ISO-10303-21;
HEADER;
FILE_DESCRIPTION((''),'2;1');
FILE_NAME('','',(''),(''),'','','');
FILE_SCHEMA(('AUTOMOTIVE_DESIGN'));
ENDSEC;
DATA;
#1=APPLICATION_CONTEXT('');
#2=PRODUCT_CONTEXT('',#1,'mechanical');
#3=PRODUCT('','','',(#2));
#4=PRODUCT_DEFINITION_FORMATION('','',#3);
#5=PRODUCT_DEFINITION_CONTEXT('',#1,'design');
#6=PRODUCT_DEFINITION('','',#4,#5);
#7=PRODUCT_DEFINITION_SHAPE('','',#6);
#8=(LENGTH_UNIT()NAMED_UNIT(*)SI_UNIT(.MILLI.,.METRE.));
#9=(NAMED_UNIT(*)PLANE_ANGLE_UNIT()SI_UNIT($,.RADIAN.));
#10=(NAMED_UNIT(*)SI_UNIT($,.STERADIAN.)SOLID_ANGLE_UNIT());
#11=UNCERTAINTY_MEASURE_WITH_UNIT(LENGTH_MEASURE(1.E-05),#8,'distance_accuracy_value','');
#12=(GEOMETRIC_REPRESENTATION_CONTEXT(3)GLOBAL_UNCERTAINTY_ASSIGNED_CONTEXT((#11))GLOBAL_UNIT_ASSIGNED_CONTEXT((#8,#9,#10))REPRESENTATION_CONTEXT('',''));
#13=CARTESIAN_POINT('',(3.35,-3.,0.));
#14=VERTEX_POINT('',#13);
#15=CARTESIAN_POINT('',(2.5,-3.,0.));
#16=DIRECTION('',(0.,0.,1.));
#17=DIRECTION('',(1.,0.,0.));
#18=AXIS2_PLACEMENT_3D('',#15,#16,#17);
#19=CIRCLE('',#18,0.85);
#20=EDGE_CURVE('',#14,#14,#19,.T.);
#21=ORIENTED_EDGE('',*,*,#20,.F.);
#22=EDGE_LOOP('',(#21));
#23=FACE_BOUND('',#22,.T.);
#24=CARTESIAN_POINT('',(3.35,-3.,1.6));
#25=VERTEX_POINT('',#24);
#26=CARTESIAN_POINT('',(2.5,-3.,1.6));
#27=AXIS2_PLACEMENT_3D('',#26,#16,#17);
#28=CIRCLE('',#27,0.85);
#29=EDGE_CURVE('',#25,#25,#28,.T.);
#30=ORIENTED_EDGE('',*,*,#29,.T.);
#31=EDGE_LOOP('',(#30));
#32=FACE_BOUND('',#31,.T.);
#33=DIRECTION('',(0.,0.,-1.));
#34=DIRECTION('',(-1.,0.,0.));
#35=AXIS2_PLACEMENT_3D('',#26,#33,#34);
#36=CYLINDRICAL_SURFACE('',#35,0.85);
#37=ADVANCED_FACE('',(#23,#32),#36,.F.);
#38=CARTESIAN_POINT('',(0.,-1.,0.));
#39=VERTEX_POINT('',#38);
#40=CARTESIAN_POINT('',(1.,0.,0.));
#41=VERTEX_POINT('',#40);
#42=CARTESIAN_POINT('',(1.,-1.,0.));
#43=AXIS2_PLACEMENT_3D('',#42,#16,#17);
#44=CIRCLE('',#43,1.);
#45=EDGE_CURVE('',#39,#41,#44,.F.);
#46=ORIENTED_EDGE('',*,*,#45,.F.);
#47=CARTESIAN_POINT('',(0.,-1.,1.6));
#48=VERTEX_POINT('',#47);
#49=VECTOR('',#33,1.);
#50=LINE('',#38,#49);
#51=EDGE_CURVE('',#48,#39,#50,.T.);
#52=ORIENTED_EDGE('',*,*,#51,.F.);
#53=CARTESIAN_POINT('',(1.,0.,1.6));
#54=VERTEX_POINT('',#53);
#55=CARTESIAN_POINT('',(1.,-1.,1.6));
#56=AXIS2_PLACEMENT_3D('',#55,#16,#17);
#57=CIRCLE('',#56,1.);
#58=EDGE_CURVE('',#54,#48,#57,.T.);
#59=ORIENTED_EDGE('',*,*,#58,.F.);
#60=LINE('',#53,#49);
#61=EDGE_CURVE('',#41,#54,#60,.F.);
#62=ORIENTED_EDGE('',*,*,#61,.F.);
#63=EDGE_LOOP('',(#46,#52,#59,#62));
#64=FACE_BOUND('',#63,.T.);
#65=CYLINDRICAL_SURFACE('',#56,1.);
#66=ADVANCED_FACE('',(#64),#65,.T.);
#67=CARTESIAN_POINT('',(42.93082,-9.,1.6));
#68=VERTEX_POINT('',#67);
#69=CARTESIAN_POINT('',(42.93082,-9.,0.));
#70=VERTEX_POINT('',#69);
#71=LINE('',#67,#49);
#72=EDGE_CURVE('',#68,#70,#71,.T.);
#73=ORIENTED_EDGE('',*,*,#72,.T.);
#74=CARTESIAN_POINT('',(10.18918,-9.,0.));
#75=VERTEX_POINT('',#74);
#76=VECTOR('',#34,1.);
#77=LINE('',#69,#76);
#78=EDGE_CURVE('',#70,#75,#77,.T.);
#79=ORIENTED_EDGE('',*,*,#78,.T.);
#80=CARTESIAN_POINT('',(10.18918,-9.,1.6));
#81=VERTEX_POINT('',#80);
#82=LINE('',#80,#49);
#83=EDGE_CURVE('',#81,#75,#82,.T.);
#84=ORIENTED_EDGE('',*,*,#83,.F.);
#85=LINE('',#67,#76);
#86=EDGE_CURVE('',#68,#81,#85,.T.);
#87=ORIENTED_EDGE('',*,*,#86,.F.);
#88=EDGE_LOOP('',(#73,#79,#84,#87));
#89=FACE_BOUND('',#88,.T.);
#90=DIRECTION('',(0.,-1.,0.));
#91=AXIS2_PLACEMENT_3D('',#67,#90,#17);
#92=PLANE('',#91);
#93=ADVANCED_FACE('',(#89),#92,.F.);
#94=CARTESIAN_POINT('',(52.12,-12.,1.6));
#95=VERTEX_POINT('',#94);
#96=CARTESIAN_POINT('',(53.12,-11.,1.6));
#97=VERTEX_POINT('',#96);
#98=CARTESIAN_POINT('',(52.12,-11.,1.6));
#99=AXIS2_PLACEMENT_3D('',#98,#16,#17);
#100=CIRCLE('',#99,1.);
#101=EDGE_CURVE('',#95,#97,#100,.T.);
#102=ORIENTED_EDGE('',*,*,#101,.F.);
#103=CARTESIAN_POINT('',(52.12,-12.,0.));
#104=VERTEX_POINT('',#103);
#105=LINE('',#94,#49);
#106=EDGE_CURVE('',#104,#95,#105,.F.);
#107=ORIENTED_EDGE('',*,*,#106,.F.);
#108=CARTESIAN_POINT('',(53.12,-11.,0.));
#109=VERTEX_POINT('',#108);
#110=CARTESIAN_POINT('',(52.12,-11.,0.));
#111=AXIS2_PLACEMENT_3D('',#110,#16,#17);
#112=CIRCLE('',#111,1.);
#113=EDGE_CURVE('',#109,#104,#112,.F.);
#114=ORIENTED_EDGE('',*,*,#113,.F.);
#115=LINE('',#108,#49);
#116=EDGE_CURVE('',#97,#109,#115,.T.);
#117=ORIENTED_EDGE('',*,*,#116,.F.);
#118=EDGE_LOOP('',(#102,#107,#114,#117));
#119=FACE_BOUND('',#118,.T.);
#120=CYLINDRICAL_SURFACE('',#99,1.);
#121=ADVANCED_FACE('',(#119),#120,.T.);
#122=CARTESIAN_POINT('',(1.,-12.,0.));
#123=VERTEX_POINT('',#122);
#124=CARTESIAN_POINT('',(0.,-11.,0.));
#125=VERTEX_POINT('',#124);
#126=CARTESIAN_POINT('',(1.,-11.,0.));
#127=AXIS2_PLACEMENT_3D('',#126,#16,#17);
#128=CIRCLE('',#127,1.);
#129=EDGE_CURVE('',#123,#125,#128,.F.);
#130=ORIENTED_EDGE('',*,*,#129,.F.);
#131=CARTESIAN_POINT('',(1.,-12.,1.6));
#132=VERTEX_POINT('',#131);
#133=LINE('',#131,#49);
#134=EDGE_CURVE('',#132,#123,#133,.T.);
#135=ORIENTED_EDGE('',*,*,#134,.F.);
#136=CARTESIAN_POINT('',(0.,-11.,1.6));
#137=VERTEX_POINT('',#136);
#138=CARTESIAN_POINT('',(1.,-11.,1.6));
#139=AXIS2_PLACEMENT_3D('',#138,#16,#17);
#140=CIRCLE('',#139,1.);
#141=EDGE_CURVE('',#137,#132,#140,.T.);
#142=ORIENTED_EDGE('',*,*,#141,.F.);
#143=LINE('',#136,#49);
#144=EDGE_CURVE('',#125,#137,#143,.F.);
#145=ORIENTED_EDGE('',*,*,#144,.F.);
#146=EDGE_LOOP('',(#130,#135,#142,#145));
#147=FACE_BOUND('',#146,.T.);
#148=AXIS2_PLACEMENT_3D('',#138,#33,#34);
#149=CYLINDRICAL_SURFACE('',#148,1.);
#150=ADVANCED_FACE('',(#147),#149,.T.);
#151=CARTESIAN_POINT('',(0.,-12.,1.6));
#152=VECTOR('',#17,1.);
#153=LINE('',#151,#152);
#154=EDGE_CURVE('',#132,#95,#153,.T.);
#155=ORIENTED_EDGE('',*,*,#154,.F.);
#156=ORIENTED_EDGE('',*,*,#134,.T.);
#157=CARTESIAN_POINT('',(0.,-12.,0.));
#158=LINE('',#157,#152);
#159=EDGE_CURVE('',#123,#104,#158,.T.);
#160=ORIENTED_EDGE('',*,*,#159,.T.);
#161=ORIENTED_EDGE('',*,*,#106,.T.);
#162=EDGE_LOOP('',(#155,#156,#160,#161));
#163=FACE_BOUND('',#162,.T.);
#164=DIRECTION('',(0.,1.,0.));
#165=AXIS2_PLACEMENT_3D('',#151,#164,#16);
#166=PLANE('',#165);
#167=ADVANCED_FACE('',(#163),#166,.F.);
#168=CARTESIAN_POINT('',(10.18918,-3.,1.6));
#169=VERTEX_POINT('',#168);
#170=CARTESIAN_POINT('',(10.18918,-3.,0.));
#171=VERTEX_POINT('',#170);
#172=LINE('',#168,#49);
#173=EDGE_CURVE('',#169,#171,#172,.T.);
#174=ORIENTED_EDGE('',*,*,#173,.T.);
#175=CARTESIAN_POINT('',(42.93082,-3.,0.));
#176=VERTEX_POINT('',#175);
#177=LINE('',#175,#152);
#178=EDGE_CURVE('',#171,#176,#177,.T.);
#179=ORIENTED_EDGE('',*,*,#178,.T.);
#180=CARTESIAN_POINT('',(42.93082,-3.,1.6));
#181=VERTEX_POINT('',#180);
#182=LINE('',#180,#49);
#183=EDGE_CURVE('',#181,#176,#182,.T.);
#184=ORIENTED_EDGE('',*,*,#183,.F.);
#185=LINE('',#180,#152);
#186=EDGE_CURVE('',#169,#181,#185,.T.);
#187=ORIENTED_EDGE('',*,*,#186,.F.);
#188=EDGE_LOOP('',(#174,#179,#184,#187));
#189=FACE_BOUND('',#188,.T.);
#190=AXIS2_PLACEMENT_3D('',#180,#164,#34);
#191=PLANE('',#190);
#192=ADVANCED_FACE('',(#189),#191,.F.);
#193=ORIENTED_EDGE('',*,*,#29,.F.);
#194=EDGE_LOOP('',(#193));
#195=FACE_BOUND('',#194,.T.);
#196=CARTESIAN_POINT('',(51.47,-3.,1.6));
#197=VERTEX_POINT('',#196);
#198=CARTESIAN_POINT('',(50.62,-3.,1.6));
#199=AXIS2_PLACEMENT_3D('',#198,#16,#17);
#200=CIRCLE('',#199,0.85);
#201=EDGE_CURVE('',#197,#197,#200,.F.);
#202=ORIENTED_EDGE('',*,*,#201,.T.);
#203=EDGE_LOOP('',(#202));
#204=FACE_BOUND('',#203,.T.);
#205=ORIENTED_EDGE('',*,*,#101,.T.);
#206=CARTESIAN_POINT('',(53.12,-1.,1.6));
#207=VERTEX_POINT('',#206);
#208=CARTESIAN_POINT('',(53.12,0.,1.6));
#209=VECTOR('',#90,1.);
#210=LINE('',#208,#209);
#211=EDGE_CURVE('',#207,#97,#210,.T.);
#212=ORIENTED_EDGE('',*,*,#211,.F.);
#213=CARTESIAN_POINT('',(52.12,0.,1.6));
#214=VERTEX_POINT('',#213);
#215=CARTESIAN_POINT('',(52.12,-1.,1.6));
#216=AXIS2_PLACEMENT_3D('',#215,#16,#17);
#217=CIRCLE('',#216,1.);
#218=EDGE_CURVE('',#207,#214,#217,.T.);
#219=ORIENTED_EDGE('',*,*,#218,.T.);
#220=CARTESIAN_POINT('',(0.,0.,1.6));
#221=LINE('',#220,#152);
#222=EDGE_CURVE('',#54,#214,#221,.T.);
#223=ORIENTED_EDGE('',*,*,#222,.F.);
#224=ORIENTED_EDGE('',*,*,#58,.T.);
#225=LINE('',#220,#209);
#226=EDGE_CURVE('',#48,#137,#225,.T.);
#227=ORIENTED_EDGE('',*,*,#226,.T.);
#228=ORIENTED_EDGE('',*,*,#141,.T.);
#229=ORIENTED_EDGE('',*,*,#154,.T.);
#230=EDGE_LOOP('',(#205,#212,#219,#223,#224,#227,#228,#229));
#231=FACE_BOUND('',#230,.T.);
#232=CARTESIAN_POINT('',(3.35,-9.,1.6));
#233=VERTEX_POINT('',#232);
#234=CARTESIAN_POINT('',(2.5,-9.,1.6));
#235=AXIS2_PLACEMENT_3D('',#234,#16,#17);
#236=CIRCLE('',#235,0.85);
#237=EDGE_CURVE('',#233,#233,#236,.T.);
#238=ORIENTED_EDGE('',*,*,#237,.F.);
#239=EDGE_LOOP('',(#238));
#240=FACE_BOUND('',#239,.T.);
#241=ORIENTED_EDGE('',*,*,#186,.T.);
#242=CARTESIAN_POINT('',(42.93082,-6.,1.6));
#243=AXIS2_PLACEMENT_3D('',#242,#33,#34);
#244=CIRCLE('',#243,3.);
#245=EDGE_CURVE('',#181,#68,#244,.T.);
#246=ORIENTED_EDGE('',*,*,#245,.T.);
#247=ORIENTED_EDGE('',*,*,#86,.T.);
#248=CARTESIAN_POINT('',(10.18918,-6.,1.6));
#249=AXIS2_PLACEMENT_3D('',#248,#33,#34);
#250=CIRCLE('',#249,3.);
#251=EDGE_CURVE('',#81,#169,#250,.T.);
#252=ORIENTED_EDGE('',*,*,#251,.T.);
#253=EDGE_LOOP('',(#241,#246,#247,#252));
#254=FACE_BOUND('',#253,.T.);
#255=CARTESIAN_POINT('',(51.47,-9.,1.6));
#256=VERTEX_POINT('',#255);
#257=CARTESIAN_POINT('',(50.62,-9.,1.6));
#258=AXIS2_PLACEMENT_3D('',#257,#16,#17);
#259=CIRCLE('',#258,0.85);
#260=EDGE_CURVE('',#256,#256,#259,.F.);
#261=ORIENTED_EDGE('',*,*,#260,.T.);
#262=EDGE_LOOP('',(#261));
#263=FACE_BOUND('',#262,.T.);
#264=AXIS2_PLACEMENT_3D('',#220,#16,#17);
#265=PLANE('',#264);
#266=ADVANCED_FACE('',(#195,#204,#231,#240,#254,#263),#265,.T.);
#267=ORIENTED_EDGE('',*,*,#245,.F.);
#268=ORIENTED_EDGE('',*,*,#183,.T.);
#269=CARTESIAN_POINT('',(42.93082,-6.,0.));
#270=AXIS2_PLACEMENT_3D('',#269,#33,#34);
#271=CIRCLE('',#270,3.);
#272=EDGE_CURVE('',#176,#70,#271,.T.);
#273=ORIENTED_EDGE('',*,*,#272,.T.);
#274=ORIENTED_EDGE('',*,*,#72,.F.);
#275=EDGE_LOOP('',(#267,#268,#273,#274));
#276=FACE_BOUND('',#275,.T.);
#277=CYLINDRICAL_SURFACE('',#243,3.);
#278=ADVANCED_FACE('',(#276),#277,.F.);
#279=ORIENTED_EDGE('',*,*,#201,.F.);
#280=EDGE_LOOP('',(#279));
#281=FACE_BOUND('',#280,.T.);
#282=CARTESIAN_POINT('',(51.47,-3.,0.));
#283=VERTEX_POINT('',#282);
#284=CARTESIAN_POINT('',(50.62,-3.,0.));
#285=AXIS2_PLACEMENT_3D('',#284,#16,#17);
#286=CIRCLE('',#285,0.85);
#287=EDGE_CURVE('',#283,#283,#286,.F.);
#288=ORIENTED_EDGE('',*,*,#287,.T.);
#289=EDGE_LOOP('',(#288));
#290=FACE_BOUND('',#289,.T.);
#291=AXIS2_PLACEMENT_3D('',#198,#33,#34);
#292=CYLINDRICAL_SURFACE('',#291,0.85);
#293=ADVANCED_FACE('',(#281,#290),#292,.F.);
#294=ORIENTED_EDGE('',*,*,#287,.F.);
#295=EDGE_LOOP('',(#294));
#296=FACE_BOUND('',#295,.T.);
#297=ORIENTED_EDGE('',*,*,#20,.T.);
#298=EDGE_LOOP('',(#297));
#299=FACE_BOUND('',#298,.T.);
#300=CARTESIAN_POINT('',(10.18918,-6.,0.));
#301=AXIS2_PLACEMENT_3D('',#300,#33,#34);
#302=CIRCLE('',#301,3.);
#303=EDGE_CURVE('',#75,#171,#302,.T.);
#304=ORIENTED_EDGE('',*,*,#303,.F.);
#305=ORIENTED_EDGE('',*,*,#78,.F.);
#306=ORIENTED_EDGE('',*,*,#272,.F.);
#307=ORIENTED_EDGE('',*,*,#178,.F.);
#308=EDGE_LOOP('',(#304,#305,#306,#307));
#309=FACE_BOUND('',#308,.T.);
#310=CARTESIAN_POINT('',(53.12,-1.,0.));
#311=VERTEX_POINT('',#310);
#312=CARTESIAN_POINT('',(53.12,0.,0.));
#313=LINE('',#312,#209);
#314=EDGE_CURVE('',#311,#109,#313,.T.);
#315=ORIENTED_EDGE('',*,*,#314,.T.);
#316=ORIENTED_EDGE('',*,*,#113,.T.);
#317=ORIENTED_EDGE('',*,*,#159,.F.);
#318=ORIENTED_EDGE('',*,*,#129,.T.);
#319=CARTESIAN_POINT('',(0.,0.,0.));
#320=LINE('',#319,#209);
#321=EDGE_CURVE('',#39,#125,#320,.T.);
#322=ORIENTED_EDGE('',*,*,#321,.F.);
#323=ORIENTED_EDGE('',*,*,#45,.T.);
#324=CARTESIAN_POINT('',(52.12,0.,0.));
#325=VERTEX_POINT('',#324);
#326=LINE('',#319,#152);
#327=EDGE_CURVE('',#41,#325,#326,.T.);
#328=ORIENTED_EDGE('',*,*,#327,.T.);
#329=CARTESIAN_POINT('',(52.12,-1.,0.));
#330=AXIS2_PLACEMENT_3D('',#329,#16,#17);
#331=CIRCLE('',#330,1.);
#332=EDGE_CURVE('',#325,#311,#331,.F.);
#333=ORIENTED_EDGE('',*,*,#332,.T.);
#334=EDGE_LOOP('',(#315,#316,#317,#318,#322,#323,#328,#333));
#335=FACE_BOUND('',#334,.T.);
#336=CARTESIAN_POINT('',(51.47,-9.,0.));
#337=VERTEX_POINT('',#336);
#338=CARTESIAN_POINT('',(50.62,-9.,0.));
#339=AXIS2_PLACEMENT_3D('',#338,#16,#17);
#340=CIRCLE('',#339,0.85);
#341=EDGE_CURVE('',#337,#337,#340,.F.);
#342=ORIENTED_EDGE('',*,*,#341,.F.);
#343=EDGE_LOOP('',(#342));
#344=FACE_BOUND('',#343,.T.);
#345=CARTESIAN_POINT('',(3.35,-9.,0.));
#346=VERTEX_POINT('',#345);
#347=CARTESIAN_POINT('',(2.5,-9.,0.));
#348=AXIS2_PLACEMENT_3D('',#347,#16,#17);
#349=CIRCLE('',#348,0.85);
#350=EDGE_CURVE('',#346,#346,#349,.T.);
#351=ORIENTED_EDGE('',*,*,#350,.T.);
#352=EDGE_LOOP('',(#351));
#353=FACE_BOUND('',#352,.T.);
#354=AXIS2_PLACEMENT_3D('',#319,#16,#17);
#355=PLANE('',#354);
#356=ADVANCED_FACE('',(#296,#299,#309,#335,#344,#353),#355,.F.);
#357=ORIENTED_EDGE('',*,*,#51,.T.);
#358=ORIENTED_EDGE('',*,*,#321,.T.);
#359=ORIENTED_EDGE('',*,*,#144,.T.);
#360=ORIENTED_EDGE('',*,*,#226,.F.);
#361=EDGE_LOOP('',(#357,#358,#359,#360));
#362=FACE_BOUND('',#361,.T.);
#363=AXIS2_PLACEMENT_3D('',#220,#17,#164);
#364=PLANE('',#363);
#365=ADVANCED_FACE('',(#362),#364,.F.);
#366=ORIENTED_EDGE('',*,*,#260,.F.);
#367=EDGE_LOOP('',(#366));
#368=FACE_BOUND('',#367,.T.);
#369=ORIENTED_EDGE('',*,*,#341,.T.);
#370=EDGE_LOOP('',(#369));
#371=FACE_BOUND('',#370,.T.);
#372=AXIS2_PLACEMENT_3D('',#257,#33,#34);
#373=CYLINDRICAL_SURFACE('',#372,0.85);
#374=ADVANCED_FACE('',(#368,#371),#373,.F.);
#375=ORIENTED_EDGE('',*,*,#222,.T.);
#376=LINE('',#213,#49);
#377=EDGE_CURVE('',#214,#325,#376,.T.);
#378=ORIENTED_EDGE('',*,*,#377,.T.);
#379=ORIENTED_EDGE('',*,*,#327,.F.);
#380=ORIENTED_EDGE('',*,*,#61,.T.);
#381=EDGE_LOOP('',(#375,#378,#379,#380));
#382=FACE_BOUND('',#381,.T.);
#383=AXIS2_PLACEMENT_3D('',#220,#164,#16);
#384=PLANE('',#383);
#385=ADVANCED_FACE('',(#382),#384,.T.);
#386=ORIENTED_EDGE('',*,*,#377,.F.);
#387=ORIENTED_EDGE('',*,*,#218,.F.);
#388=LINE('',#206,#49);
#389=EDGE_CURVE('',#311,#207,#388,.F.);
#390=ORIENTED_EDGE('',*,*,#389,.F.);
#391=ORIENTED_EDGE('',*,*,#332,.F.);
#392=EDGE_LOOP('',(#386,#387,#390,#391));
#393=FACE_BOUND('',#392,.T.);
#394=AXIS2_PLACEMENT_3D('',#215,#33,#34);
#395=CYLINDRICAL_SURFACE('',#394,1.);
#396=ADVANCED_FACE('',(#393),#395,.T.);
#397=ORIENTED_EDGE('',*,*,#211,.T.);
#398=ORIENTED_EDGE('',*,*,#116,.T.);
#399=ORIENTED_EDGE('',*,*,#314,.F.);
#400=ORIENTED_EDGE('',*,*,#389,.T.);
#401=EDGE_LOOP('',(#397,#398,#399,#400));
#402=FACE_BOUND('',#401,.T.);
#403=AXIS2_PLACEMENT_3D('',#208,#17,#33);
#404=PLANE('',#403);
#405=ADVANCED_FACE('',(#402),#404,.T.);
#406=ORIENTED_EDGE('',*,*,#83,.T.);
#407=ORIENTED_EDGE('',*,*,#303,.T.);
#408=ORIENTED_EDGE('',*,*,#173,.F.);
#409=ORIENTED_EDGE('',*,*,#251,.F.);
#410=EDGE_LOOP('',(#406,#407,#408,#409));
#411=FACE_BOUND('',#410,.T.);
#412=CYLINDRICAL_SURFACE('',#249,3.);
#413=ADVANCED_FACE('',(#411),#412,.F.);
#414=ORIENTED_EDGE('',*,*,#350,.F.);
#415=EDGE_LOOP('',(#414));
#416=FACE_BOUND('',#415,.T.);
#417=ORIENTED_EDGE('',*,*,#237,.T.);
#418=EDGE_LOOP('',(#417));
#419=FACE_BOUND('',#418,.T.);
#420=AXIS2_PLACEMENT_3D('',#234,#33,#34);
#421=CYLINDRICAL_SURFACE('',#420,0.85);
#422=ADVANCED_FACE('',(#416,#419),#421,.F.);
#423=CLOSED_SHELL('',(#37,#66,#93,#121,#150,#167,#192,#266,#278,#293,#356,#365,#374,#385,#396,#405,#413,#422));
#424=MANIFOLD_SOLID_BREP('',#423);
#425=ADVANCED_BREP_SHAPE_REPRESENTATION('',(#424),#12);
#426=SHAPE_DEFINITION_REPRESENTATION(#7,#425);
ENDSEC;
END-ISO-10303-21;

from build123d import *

# Parameters (mm, degrees)
SKETCH_1_W          = 48.12
SKETCH_1_H          = 12
SKETCH_1_R          = 0.85
SKETCH_1_W_2        = 5
EXTRUDE_1_DEPTH     = 1.6
CUT_EXTRUDE_1_DEPTH = 1.6
FILLET_1_R          = 1


with BuildPart() as part:
    # 草图1 → 凸台-拉伸1 (new body)
    # profile 1 of 2: a face of its own
    with BuildSketch(Plane.XY):
        with Locations((29.06, -6)):
            Rectangle(SKETCH_1_W, SKETCH_1_H)
        with Locations((50.62, -9)):
            Circle(SKETCH_1_R, mode=Mode.SUBTRACT)
        with Locations((50.62, -3)):
            Circle(SKETCH_1_R, mode=Mode.SUBTRACT)
    # profile 2 of 2: a face of its own
    with BuildSketch(Plane.XY):
        with Locations((2.5, -6)):
            Rectangle(SKETCH_1_W_2, SKETCH_1_H)
        with Locations((2.5, -9)):
            Circle(SKETCH_1_R, mode=Mode.SUBTRACT)
        with Locations((2.5, -3)):
            Circle(SKETCH_1_R, mode=Mode.SUBTRACT)
    extrude(amount=EXTRUDE_1_DEPTH)

    # 草图2 → 切除-拉伸1 (cut)
    with BuildSketch(Plane(origin=(0, 0, 0), x_dir=(-1, 0, 0), z_dir=(0, 0, -1))):
        with BuildLine():
            Line((-42.930819808, -3), (-10.189180192, -3))
            ThreePointArc((-10.189180192, -3), (-7.189180192, -6), (-10.189180192, -9))
            Line((-10.189180192, -9), (-42.930819808, -9))
            ThreePointArc((-42.930819808, -9), (-45.930819808, -6), (-42.930819808, -3))
        make_face()
    extrude(amount=-CUT_EXTRUDE_1_DEPTH, mode=Mode.SUBTRACT)

    # 圆角1
    fillet_1_edges = [part.edges().sort_by_distance(p)[0] for p in [
        (53.12, -12, 0.8),
        (0, -12, 0.8),
        (0, 0, 0.8),
        (53.12, 0, 0.8),
    ]]
    fillet(fillet_1_edges, radius=FILLET_1_R)


solid = part.part
